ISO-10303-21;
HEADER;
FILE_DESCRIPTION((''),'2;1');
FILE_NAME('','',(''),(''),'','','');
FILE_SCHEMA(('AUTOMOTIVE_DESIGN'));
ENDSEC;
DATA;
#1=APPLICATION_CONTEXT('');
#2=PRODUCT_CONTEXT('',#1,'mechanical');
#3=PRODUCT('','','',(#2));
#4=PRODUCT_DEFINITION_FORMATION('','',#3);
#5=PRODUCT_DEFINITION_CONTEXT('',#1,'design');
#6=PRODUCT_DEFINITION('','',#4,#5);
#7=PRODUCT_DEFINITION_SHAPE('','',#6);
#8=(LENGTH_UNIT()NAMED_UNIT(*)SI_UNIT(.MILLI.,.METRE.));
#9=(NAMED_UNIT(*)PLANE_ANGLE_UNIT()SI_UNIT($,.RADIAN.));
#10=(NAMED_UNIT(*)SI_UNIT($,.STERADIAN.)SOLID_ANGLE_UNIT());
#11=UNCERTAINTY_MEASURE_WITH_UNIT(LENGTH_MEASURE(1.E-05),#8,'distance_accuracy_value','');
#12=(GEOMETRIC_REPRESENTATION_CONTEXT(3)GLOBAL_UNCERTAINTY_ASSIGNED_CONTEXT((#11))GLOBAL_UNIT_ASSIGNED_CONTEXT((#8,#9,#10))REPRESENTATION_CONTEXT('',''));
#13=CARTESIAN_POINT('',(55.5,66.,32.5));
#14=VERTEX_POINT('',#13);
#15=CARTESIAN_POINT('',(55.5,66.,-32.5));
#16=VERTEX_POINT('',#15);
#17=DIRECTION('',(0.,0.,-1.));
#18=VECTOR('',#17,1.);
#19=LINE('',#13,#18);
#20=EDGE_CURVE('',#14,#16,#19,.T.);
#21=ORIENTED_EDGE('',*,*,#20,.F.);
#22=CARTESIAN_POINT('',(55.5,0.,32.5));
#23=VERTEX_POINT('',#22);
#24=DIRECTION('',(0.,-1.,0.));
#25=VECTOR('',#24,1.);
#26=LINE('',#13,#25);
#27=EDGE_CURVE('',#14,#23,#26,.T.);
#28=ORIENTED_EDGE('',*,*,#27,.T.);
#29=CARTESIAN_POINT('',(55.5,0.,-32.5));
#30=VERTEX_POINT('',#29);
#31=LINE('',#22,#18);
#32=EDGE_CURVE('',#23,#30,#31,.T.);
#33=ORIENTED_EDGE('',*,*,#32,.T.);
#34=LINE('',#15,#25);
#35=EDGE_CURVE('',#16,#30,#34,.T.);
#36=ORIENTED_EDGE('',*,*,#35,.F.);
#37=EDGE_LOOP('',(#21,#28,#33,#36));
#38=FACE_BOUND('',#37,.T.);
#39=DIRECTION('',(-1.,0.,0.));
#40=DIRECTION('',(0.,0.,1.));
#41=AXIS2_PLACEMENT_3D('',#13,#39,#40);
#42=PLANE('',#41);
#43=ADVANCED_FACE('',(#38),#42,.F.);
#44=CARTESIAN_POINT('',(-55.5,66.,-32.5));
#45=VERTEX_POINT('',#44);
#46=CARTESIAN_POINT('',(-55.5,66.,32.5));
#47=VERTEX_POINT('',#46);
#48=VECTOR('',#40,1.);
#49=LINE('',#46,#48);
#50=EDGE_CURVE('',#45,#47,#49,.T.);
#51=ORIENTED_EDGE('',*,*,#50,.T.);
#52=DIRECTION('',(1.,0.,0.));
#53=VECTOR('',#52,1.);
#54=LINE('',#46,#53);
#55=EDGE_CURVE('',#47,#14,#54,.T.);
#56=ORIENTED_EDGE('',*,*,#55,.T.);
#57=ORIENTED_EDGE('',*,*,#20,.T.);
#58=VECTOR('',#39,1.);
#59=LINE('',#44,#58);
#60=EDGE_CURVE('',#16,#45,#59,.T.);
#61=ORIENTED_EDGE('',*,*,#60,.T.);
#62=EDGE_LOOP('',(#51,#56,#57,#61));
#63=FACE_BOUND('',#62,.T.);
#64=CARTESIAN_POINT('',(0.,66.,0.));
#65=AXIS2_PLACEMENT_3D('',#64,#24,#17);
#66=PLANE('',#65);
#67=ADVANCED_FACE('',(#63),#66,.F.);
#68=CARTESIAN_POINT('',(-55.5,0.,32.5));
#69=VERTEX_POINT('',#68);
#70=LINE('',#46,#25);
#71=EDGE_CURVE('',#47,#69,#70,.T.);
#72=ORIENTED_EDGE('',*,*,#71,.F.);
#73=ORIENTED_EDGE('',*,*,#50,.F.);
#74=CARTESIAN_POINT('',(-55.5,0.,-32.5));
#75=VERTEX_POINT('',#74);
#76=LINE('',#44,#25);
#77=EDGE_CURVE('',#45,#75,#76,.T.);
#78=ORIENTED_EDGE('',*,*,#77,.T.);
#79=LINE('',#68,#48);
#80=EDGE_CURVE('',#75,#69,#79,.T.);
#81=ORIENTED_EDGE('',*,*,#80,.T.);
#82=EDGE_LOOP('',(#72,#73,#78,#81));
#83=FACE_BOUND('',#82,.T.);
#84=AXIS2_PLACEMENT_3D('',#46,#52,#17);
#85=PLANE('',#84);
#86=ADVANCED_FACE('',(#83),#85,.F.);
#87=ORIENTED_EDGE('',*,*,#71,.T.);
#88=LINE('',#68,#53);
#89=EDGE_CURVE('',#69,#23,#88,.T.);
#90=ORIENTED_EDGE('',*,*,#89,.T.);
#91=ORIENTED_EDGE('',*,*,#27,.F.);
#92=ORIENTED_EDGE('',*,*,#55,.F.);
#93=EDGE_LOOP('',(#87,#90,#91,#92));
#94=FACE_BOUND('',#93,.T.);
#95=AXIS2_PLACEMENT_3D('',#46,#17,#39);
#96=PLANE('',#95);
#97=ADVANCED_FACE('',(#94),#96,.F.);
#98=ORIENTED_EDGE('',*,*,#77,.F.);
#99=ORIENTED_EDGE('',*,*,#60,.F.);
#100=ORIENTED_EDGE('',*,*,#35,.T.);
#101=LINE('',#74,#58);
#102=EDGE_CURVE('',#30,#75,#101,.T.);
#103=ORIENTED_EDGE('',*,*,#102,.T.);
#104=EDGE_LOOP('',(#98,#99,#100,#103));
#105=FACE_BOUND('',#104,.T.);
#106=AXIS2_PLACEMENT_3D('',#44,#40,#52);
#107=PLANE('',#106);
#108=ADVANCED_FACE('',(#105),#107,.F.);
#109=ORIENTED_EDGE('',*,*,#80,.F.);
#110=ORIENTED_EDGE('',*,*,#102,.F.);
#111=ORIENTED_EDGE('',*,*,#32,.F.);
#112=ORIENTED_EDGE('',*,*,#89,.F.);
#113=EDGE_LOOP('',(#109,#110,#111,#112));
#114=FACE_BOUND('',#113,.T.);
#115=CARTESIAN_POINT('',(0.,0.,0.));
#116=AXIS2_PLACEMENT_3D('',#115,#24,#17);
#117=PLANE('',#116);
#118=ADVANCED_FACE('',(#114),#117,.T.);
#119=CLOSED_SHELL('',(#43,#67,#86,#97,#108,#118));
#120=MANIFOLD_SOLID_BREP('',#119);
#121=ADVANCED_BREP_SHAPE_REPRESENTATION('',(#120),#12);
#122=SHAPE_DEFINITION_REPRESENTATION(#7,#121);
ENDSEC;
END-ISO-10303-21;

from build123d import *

# Parameters (mm, degrees)
SKETCH_1_W      = 111
SKETCH_1_H      = 65
EXTRUDE_1_DEPTH = 66


with BuildPart() as part:
    # Эскиз1 → Бобышка-Вытянуть1 (new body)
    with BuildSketch(Plane(origin=(0, 0, 0), x_dir=(1, 0, 0), z_dir=(0, 1, 0))):
        Rectangle(SKETCH_1_W, SKETCH_1_H)
    extrude(amount=EXTRUDE_1_DEPTH)


solid = part.part
